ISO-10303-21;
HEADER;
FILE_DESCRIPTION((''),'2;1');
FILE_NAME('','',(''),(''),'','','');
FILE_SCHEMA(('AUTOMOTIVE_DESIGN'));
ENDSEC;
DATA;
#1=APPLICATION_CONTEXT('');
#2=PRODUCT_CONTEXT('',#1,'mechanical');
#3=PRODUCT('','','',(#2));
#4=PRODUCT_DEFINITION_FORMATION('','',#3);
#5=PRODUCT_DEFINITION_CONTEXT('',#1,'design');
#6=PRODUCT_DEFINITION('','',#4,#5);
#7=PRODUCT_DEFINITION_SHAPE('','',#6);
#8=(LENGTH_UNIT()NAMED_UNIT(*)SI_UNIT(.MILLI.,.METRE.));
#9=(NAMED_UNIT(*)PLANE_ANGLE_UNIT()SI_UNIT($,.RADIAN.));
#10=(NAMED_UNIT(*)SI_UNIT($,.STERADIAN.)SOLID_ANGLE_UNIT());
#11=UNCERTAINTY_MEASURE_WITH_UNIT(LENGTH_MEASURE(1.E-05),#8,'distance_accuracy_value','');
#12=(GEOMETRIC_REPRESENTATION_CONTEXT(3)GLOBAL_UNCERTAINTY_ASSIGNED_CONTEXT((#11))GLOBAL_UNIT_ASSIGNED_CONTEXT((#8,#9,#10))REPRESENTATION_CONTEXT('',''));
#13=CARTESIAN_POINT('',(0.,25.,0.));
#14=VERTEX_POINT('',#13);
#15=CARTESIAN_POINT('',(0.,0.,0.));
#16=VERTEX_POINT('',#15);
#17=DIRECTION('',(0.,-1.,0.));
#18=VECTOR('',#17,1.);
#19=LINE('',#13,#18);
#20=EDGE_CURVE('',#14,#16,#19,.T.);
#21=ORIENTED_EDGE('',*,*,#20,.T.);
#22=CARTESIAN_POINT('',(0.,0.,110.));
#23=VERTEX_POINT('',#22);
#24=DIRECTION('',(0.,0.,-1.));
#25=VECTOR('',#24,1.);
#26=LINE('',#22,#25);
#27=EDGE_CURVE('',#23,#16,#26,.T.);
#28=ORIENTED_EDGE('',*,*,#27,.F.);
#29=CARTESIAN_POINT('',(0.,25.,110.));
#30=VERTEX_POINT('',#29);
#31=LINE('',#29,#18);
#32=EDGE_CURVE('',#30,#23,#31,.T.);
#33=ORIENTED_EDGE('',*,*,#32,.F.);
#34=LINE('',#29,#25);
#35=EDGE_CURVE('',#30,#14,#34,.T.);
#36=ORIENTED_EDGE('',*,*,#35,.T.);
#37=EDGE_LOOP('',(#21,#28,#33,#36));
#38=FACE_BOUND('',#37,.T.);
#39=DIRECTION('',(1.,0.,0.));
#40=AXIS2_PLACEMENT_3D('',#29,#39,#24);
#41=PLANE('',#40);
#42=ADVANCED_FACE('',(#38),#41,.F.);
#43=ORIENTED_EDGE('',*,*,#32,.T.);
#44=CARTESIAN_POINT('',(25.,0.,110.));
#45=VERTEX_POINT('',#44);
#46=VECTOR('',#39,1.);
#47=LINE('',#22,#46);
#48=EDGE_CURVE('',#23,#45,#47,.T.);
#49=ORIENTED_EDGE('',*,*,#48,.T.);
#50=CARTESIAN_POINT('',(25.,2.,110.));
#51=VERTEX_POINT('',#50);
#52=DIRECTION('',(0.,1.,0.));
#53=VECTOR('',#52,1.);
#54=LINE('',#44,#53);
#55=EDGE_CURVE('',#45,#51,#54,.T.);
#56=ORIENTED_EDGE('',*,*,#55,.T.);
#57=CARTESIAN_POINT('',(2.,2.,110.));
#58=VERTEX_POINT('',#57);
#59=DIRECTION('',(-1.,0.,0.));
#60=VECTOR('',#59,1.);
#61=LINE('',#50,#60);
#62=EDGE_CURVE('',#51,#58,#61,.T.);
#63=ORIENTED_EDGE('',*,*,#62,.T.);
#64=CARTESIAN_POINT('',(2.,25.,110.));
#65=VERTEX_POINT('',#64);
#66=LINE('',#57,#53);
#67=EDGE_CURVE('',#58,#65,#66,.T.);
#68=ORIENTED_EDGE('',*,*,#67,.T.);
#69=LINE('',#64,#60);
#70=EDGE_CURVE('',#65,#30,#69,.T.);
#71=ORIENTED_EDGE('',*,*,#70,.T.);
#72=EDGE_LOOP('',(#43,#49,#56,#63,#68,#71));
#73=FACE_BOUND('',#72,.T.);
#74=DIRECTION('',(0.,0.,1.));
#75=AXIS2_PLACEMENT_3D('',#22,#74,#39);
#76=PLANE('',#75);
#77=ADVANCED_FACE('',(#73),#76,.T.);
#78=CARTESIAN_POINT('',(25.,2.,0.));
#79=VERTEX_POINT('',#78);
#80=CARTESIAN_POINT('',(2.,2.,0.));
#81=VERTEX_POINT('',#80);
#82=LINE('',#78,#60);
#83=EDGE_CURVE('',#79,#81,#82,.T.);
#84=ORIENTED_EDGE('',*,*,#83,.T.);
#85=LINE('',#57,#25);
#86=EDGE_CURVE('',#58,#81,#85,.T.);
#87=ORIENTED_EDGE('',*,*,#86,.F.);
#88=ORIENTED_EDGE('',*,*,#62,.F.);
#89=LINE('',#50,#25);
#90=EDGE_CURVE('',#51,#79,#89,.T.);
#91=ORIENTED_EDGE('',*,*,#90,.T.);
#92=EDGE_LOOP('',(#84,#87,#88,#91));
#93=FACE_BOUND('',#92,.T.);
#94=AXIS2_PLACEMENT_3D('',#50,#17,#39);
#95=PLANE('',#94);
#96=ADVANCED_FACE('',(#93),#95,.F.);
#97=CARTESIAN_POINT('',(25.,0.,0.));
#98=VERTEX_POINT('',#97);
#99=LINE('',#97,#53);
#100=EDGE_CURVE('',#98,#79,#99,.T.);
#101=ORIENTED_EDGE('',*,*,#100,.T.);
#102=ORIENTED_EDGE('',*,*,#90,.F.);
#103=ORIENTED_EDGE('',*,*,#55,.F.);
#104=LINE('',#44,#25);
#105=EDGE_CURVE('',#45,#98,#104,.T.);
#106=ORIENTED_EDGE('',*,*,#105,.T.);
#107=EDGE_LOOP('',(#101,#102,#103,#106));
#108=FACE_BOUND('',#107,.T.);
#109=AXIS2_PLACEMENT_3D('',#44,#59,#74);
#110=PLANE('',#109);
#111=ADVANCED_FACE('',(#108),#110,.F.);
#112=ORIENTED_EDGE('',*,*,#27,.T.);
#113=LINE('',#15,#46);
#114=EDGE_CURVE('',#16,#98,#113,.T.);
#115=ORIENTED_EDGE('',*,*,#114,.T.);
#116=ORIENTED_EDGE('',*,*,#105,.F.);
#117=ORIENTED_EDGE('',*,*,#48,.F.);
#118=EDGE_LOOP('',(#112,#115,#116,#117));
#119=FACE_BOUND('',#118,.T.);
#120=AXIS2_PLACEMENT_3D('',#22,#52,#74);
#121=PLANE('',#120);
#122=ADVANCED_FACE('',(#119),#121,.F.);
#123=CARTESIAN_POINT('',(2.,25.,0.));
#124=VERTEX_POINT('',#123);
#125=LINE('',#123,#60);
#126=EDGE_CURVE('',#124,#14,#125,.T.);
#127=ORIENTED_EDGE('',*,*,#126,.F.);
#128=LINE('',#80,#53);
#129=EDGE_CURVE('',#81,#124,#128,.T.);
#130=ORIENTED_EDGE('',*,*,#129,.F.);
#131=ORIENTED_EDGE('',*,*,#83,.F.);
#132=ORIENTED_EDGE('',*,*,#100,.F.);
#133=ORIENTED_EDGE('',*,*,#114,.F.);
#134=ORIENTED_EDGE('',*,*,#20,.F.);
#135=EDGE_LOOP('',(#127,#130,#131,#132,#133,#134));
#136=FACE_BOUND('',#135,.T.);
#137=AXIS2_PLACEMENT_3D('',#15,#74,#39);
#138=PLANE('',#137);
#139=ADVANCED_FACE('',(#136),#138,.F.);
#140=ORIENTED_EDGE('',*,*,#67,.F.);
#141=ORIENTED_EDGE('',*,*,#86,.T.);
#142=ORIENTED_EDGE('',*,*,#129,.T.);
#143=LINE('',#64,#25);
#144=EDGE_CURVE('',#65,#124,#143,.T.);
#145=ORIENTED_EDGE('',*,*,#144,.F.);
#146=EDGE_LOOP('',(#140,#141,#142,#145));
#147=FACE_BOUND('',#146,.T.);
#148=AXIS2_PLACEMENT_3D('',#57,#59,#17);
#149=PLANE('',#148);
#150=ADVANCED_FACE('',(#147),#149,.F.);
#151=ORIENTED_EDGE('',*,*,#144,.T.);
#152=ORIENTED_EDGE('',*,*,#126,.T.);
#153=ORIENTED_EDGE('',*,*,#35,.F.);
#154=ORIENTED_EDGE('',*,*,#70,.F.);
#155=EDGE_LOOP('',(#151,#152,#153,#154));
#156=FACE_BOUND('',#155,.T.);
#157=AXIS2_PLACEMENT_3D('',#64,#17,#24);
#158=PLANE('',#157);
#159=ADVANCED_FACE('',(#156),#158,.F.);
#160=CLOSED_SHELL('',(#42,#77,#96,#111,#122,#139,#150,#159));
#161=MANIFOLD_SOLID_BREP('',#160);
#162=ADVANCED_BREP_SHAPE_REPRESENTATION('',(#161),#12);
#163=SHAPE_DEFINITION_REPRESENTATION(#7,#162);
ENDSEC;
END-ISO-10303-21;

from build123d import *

# Parameters (mm, degrees)
BOSS_EXTRUDE1_DEPTH = 110


with BuildPart() as part:
    # Sketch1 → Boss-Extrude1 (new body)
    with BuildSketch(Plane.XY):
        Polygon((0, 0), (25, 0), (25, 2), (2, 2), (2, 25), (0, 25), align=None)
    extrude(amount=BOSS_EXTRUDE1_DEPTH)


solid = part.part
